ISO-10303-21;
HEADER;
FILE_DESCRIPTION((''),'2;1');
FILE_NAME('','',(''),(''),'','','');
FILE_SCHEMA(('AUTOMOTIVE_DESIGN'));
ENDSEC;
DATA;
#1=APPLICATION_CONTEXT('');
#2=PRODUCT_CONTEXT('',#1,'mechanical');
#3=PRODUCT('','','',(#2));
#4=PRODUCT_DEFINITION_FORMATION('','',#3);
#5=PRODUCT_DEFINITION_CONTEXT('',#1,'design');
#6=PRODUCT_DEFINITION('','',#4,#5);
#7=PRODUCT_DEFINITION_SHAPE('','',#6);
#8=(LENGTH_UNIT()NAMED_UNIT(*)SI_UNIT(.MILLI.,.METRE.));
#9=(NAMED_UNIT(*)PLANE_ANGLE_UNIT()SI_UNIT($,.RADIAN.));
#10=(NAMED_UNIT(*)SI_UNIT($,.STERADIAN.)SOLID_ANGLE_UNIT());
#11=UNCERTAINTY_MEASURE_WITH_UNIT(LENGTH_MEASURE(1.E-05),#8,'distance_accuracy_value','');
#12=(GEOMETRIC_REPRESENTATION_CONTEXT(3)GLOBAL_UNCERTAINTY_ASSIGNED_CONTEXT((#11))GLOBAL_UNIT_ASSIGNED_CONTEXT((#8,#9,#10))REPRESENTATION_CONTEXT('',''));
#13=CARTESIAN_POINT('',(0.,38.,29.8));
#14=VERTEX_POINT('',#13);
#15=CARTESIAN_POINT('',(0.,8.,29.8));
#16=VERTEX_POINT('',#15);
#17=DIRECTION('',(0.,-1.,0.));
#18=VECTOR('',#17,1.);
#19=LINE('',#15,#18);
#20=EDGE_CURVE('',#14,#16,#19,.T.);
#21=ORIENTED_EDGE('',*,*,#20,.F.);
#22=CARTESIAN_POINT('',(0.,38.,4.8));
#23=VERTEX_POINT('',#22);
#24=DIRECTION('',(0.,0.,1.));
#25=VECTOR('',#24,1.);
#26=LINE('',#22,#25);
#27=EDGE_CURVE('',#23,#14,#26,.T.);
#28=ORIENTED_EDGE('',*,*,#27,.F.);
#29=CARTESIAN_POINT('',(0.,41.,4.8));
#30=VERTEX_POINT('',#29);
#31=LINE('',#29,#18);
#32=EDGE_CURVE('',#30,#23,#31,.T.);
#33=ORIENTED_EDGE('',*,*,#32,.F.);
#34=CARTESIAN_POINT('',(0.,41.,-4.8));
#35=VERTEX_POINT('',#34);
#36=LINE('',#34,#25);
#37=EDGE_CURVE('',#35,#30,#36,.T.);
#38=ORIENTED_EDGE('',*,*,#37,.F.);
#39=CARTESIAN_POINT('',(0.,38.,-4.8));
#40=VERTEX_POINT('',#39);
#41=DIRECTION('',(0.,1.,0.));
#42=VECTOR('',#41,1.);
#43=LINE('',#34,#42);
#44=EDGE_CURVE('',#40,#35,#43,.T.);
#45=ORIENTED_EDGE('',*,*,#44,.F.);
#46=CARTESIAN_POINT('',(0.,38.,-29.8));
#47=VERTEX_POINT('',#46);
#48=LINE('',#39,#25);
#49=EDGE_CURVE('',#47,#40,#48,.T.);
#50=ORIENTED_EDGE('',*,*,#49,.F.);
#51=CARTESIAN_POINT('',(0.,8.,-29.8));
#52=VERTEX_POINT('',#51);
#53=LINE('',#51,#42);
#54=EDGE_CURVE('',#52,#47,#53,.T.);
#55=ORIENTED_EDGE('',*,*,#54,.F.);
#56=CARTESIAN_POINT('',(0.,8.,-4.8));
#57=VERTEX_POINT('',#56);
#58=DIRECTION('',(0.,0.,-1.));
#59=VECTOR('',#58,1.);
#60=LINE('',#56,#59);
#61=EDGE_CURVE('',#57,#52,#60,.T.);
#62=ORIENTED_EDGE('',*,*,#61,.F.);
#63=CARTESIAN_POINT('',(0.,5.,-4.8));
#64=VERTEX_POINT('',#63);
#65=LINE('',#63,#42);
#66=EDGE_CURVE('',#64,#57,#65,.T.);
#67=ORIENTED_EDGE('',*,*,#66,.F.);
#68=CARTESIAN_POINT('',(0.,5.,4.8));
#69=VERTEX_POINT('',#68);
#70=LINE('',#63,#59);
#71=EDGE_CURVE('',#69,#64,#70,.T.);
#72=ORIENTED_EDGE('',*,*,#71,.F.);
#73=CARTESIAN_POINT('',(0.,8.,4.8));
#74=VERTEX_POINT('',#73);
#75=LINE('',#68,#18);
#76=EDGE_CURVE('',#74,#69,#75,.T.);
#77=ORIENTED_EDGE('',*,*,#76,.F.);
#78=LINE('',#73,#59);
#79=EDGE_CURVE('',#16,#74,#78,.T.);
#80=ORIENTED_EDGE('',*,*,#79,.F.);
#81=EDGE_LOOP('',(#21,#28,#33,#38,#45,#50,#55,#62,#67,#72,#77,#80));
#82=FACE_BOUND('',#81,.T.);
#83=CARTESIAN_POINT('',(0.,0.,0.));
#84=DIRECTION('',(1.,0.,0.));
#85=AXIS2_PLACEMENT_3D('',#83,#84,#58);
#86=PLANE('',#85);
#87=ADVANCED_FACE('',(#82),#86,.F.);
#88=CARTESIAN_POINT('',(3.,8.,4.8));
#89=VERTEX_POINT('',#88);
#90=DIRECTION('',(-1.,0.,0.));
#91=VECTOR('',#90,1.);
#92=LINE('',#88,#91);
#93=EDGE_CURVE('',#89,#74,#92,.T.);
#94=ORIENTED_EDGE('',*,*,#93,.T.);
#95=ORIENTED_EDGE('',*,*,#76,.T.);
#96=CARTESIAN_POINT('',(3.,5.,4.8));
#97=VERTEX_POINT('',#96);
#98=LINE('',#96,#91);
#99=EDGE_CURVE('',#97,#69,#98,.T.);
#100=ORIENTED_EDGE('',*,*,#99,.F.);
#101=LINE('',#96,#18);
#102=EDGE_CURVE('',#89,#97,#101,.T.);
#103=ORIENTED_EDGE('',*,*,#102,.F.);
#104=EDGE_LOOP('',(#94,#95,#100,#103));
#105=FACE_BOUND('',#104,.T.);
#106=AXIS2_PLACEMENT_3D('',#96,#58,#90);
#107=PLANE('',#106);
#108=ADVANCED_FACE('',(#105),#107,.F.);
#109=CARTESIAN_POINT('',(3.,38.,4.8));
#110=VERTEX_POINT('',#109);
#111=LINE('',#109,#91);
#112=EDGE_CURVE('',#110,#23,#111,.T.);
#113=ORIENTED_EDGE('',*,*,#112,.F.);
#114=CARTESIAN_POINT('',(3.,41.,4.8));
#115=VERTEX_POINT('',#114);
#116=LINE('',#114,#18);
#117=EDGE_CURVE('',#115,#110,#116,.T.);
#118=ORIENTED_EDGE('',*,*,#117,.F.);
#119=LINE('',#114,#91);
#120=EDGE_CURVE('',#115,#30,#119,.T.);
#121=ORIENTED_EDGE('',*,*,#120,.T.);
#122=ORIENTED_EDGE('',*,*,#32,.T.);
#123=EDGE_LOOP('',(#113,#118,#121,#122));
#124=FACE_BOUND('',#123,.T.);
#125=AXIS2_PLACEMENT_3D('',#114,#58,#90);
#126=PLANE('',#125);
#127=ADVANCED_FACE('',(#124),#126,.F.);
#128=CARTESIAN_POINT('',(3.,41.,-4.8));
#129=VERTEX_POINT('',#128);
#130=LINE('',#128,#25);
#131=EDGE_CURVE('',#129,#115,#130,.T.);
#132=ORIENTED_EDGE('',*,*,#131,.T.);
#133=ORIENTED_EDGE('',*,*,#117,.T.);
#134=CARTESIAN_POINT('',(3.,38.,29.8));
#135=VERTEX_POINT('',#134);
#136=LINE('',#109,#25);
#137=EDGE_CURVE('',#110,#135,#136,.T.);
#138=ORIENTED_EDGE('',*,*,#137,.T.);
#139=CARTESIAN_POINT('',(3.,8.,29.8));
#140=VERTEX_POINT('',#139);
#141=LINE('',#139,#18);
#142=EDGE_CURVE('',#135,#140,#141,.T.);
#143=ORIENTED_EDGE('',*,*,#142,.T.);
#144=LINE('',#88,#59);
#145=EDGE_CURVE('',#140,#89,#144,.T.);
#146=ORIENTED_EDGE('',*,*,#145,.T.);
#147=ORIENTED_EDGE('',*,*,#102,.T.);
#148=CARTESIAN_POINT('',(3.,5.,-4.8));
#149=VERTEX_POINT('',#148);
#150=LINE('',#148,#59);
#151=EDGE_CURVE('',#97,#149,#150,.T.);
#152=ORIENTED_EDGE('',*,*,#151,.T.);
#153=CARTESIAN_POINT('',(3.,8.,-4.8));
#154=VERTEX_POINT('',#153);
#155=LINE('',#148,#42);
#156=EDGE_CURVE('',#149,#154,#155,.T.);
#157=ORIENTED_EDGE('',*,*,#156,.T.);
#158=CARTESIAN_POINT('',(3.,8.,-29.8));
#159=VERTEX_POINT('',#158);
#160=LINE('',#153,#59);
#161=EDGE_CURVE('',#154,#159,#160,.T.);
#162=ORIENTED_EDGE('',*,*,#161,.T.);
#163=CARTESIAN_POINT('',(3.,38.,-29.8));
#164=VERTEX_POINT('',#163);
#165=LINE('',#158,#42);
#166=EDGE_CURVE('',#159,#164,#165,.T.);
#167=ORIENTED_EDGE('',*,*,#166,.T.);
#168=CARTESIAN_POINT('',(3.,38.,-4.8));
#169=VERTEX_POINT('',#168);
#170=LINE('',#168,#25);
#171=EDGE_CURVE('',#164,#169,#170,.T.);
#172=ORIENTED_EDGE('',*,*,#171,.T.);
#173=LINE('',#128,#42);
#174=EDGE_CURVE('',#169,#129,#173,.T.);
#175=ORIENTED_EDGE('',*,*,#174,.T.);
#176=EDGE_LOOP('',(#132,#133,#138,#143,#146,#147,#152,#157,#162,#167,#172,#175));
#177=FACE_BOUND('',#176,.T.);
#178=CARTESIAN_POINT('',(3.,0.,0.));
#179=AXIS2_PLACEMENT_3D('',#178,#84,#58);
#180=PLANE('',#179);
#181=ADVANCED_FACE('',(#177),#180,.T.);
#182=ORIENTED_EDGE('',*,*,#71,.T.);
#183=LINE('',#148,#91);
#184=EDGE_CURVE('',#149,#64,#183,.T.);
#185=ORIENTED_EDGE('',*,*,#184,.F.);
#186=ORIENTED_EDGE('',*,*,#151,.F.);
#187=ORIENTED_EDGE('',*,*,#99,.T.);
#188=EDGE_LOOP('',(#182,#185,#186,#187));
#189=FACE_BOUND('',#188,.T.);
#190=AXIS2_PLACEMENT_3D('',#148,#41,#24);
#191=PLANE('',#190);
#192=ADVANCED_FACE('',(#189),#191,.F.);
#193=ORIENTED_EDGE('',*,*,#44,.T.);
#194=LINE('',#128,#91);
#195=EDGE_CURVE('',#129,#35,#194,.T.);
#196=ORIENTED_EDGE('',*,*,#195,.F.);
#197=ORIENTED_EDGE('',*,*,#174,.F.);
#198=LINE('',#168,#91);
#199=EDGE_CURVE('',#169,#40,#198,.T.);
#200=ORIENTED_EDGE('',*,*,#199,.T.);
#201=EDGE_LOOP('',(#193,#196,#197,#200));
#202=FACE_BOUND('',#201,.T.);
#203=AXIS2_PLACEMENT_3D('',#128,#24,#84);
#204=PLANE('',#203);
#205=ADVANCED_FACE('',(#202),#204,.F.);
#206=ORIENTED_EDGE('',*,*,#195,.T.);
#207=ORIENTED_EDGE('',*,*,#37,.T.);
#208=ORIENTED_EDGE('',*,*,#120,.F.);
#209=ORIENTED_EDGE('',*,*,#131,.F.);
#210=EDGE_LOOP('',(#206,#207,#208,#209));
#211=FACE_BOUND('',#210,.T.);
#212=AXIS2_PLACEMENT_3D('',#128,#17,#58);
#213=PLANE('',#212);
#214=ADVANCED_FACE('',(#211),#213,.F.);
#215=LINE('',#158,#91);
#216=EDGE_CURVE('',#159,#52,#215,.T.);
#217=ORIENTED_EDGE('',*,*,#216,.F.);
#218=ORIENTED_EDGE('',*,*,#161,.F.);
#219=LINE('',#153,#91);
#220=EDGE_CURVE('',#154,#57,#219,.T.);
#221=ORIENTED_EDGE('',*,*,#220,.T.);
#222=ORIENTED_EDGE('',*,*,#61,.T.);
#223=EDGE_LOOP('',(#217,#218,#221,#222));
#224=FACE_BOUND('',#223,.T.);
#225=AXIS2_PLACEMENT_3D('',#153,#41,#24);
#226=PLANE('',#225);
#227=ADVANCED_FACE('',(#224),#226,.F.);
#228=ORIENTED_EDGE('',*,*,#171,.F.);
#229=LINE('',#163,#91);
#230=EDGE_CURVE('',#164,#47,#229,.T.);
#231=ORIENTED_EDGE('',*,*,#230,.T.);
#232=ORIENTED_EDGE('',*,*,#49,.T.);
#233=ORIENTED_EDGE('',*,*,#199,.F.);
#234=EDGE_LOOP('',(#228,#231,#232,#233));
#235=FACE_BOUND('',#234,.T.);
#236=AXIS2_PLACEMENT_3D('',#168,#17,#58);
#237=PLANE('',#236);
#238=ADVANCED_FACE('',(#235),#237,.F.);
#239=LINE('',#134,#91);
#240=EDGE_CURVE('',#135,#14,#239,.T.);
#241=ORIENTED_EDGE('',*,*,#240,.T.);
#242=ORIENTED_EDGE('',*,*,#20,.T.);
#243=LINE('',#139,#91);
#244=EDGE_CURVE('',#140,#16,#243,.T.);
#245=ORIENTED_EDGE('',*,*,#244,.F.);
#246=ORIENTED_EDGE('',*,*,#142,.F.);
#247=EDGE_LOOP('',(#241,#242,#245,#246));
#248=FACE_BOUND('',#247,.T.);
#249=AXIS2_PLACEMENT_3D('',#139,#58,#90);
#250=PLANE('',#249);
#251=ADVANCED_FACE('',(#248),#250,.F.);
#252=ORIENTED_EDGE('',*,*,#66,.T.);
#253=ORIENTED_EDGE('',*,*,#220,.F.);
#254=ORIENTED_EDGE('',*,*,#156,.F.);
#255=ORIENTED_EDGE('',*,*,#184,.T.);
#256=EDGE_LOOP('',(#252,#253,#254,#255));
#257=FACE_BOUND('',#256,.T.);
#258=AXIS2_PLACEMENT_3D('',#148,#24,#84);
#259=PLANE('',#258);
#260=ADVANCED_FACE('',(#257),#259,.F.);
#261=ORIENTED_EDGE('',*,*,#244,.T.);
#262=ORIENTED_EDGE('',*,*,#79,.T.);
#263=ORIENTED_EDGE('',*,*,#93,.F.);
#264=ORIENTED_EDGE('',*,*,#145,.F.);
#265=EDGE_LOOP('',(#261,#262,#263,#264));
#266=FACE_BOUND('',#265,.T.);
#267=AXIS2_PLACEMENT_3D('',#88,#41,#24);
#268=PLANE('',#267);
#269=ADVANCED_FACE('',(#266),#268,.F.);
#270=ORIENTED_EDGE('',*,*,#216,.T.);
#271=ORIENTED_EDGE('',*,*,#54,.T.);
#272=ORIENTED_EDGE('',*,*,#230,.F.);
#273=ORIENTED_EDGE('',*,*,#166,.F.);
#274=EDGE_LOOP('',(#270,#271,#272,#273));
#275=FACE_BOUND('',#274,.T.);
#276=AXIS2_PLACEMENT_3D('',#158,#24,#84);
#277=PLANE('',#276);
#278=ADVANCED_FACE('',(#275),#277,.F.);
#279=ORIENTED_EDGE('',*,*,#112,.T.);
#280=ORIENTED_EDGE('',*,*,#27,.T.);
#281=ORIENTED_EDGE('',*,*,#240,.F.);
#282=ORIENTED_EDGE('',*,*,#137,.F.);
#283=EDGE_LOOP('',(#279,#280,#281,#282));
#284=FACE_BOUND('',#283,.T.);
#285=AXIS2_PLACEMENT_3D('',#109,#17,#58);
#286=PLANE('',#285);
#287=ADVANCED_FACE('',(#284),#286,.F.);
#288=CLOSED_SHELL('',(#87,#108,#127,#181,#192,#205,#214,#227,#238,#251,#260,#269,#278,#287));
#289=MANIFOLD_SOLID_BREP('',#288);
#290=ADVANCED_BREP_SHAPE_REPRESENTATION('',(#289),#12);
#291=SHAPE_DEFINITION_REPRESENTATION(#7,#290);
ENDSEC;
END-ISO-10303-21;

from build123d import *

# Parameters (mm, degrees)
BOSS_EXTRUDE1_DEPTH = 3


with BuildPart() as part:
    # Sketch1 → Boss-Extrude1 (new body)
    with BuildSketch(Plane(origin=(0, 0, 0), x_dir=(0, 0, -1), z_dir=(1, 0, 0))):
        Polygon((4.8, 41), (4.8, 38), (29.8, 38), (29.8, 8), (4.8, 8), (4.8, 5), (-4.8, 5), (-4.8, 8), (-29.8, 8), (-29.8, 38), (-4.8, 38), (-4.8, 41), align=None)
    extrude(amount=BOSS_EXTRUDE1_DEPTH)


solid = part.part
